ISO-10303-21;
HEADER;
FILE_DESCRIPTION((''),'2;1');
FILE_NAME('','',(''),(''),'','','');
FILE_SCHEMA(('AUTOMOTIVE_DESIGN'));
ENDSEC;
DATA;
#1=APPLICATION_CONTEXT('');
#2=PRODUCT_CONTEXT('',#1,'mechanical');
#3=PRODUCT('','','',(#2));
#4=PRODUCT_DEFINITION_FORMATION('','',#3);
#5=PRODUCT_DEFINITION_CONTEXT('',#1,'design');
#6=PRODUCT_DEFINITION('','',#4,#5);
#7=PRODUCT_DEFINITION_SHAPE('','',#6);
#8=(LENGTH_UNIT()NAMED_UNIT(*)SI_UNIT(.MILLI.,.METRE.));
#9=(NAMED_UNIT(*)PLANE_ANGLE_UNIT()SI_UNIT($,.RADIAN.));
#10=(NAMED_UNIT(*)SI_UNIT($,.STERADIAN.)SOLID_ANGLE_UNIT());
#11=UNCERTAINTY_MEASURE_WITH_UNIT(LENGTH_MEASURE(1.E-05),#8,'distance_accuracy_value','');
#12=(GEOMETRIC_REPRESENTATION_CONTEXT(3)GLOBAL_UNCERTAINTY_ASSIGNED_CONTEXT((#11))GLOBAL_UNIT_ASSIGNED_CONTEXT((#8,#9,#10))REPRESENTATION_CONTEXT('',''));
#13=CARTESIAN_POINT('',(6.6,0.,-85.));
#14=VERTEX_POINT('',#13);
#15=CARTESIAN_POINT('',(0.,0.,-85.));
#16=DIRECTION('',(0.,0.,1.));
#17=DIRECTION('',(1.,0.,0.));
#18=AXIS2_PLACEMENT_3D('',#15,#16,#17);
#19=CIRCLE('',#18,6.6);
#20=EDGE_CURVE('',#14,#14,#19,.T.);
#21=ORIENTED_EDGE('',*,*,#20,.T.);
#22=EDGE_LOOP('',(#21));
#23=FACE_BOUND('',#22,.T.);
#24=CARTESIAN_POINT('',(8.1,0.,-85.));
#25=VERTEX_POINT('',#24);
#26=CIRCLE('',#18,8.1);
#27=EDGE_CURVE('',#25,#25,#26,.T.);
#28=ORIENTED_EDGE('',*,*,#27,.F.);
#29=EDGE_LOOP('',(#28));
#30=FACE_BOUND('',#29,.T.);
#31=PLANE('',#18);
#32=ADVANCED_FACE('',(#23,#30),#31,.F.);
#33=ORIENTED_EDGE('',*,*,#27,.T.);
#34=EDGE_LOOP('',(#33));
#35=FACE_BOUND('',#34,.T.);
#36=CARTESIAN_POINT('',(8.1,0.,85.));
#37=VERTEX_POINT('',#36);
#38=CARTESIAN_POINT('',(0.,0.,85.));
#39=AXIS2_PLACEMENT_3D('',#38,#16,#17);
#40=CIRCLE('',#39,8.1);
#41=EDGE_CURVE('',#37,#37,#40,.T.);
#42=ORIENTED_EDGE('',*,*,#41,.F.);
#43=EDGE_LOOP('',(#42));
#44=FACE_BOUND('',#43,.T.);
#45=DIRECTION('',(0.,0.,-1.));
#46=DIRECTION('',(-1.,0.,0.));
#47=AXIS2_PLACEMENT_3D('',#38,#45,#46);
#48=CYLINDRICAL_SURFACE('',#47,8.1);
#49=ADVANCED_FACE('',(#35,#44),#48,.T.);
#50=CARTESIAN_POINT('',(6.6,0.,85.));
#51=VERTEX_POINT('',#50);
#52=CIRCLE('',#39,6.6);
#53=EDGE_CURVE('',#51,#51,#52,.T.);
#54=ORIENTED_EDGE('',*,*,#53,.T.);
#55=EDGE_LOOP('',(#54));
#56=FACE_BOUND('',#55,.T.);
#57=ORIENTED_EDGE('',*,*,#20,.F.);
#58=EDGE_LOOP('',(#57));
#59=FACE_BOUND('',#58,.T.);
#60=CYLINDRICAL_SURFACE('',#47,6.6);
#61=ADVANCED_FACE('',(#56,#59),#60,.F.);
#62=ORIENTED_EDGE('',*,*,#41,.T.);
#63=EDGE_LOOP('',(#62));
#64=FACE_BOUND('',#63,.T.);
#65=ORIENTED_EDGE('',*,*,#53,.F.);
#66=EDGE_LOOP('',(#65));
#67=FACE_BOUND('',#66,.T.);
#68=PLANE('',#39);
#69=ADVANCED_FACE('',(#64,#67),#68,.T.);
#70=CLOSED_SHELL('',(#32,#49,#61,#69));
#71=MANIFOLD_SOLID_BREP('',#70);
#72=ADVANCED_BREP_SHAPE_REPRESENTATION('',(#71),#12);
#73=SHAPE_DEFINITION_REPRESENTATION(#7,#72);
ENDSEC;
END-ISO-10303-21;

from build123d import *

# Parameters (mm, degrees)
CROQUIS1_R              = 8.1
CROQUIS1_R_2            = 6.6
SALIENTE_EXTRUIR1_DEPTH = 85


with BuildPart() as part:
    # Croquis1 → Saliente-Extruir1 (new, symmetric)
    with BuildSketch(Plane.XY):
        Circle(CROQUIS1_R)
        Circle(CROQUIS1_R_2, mode=Mode.SUBTRACT)
    extrude(amount=SALIENTE_EXTRUIR1_DEPTH, both=True)


solid = part.part
